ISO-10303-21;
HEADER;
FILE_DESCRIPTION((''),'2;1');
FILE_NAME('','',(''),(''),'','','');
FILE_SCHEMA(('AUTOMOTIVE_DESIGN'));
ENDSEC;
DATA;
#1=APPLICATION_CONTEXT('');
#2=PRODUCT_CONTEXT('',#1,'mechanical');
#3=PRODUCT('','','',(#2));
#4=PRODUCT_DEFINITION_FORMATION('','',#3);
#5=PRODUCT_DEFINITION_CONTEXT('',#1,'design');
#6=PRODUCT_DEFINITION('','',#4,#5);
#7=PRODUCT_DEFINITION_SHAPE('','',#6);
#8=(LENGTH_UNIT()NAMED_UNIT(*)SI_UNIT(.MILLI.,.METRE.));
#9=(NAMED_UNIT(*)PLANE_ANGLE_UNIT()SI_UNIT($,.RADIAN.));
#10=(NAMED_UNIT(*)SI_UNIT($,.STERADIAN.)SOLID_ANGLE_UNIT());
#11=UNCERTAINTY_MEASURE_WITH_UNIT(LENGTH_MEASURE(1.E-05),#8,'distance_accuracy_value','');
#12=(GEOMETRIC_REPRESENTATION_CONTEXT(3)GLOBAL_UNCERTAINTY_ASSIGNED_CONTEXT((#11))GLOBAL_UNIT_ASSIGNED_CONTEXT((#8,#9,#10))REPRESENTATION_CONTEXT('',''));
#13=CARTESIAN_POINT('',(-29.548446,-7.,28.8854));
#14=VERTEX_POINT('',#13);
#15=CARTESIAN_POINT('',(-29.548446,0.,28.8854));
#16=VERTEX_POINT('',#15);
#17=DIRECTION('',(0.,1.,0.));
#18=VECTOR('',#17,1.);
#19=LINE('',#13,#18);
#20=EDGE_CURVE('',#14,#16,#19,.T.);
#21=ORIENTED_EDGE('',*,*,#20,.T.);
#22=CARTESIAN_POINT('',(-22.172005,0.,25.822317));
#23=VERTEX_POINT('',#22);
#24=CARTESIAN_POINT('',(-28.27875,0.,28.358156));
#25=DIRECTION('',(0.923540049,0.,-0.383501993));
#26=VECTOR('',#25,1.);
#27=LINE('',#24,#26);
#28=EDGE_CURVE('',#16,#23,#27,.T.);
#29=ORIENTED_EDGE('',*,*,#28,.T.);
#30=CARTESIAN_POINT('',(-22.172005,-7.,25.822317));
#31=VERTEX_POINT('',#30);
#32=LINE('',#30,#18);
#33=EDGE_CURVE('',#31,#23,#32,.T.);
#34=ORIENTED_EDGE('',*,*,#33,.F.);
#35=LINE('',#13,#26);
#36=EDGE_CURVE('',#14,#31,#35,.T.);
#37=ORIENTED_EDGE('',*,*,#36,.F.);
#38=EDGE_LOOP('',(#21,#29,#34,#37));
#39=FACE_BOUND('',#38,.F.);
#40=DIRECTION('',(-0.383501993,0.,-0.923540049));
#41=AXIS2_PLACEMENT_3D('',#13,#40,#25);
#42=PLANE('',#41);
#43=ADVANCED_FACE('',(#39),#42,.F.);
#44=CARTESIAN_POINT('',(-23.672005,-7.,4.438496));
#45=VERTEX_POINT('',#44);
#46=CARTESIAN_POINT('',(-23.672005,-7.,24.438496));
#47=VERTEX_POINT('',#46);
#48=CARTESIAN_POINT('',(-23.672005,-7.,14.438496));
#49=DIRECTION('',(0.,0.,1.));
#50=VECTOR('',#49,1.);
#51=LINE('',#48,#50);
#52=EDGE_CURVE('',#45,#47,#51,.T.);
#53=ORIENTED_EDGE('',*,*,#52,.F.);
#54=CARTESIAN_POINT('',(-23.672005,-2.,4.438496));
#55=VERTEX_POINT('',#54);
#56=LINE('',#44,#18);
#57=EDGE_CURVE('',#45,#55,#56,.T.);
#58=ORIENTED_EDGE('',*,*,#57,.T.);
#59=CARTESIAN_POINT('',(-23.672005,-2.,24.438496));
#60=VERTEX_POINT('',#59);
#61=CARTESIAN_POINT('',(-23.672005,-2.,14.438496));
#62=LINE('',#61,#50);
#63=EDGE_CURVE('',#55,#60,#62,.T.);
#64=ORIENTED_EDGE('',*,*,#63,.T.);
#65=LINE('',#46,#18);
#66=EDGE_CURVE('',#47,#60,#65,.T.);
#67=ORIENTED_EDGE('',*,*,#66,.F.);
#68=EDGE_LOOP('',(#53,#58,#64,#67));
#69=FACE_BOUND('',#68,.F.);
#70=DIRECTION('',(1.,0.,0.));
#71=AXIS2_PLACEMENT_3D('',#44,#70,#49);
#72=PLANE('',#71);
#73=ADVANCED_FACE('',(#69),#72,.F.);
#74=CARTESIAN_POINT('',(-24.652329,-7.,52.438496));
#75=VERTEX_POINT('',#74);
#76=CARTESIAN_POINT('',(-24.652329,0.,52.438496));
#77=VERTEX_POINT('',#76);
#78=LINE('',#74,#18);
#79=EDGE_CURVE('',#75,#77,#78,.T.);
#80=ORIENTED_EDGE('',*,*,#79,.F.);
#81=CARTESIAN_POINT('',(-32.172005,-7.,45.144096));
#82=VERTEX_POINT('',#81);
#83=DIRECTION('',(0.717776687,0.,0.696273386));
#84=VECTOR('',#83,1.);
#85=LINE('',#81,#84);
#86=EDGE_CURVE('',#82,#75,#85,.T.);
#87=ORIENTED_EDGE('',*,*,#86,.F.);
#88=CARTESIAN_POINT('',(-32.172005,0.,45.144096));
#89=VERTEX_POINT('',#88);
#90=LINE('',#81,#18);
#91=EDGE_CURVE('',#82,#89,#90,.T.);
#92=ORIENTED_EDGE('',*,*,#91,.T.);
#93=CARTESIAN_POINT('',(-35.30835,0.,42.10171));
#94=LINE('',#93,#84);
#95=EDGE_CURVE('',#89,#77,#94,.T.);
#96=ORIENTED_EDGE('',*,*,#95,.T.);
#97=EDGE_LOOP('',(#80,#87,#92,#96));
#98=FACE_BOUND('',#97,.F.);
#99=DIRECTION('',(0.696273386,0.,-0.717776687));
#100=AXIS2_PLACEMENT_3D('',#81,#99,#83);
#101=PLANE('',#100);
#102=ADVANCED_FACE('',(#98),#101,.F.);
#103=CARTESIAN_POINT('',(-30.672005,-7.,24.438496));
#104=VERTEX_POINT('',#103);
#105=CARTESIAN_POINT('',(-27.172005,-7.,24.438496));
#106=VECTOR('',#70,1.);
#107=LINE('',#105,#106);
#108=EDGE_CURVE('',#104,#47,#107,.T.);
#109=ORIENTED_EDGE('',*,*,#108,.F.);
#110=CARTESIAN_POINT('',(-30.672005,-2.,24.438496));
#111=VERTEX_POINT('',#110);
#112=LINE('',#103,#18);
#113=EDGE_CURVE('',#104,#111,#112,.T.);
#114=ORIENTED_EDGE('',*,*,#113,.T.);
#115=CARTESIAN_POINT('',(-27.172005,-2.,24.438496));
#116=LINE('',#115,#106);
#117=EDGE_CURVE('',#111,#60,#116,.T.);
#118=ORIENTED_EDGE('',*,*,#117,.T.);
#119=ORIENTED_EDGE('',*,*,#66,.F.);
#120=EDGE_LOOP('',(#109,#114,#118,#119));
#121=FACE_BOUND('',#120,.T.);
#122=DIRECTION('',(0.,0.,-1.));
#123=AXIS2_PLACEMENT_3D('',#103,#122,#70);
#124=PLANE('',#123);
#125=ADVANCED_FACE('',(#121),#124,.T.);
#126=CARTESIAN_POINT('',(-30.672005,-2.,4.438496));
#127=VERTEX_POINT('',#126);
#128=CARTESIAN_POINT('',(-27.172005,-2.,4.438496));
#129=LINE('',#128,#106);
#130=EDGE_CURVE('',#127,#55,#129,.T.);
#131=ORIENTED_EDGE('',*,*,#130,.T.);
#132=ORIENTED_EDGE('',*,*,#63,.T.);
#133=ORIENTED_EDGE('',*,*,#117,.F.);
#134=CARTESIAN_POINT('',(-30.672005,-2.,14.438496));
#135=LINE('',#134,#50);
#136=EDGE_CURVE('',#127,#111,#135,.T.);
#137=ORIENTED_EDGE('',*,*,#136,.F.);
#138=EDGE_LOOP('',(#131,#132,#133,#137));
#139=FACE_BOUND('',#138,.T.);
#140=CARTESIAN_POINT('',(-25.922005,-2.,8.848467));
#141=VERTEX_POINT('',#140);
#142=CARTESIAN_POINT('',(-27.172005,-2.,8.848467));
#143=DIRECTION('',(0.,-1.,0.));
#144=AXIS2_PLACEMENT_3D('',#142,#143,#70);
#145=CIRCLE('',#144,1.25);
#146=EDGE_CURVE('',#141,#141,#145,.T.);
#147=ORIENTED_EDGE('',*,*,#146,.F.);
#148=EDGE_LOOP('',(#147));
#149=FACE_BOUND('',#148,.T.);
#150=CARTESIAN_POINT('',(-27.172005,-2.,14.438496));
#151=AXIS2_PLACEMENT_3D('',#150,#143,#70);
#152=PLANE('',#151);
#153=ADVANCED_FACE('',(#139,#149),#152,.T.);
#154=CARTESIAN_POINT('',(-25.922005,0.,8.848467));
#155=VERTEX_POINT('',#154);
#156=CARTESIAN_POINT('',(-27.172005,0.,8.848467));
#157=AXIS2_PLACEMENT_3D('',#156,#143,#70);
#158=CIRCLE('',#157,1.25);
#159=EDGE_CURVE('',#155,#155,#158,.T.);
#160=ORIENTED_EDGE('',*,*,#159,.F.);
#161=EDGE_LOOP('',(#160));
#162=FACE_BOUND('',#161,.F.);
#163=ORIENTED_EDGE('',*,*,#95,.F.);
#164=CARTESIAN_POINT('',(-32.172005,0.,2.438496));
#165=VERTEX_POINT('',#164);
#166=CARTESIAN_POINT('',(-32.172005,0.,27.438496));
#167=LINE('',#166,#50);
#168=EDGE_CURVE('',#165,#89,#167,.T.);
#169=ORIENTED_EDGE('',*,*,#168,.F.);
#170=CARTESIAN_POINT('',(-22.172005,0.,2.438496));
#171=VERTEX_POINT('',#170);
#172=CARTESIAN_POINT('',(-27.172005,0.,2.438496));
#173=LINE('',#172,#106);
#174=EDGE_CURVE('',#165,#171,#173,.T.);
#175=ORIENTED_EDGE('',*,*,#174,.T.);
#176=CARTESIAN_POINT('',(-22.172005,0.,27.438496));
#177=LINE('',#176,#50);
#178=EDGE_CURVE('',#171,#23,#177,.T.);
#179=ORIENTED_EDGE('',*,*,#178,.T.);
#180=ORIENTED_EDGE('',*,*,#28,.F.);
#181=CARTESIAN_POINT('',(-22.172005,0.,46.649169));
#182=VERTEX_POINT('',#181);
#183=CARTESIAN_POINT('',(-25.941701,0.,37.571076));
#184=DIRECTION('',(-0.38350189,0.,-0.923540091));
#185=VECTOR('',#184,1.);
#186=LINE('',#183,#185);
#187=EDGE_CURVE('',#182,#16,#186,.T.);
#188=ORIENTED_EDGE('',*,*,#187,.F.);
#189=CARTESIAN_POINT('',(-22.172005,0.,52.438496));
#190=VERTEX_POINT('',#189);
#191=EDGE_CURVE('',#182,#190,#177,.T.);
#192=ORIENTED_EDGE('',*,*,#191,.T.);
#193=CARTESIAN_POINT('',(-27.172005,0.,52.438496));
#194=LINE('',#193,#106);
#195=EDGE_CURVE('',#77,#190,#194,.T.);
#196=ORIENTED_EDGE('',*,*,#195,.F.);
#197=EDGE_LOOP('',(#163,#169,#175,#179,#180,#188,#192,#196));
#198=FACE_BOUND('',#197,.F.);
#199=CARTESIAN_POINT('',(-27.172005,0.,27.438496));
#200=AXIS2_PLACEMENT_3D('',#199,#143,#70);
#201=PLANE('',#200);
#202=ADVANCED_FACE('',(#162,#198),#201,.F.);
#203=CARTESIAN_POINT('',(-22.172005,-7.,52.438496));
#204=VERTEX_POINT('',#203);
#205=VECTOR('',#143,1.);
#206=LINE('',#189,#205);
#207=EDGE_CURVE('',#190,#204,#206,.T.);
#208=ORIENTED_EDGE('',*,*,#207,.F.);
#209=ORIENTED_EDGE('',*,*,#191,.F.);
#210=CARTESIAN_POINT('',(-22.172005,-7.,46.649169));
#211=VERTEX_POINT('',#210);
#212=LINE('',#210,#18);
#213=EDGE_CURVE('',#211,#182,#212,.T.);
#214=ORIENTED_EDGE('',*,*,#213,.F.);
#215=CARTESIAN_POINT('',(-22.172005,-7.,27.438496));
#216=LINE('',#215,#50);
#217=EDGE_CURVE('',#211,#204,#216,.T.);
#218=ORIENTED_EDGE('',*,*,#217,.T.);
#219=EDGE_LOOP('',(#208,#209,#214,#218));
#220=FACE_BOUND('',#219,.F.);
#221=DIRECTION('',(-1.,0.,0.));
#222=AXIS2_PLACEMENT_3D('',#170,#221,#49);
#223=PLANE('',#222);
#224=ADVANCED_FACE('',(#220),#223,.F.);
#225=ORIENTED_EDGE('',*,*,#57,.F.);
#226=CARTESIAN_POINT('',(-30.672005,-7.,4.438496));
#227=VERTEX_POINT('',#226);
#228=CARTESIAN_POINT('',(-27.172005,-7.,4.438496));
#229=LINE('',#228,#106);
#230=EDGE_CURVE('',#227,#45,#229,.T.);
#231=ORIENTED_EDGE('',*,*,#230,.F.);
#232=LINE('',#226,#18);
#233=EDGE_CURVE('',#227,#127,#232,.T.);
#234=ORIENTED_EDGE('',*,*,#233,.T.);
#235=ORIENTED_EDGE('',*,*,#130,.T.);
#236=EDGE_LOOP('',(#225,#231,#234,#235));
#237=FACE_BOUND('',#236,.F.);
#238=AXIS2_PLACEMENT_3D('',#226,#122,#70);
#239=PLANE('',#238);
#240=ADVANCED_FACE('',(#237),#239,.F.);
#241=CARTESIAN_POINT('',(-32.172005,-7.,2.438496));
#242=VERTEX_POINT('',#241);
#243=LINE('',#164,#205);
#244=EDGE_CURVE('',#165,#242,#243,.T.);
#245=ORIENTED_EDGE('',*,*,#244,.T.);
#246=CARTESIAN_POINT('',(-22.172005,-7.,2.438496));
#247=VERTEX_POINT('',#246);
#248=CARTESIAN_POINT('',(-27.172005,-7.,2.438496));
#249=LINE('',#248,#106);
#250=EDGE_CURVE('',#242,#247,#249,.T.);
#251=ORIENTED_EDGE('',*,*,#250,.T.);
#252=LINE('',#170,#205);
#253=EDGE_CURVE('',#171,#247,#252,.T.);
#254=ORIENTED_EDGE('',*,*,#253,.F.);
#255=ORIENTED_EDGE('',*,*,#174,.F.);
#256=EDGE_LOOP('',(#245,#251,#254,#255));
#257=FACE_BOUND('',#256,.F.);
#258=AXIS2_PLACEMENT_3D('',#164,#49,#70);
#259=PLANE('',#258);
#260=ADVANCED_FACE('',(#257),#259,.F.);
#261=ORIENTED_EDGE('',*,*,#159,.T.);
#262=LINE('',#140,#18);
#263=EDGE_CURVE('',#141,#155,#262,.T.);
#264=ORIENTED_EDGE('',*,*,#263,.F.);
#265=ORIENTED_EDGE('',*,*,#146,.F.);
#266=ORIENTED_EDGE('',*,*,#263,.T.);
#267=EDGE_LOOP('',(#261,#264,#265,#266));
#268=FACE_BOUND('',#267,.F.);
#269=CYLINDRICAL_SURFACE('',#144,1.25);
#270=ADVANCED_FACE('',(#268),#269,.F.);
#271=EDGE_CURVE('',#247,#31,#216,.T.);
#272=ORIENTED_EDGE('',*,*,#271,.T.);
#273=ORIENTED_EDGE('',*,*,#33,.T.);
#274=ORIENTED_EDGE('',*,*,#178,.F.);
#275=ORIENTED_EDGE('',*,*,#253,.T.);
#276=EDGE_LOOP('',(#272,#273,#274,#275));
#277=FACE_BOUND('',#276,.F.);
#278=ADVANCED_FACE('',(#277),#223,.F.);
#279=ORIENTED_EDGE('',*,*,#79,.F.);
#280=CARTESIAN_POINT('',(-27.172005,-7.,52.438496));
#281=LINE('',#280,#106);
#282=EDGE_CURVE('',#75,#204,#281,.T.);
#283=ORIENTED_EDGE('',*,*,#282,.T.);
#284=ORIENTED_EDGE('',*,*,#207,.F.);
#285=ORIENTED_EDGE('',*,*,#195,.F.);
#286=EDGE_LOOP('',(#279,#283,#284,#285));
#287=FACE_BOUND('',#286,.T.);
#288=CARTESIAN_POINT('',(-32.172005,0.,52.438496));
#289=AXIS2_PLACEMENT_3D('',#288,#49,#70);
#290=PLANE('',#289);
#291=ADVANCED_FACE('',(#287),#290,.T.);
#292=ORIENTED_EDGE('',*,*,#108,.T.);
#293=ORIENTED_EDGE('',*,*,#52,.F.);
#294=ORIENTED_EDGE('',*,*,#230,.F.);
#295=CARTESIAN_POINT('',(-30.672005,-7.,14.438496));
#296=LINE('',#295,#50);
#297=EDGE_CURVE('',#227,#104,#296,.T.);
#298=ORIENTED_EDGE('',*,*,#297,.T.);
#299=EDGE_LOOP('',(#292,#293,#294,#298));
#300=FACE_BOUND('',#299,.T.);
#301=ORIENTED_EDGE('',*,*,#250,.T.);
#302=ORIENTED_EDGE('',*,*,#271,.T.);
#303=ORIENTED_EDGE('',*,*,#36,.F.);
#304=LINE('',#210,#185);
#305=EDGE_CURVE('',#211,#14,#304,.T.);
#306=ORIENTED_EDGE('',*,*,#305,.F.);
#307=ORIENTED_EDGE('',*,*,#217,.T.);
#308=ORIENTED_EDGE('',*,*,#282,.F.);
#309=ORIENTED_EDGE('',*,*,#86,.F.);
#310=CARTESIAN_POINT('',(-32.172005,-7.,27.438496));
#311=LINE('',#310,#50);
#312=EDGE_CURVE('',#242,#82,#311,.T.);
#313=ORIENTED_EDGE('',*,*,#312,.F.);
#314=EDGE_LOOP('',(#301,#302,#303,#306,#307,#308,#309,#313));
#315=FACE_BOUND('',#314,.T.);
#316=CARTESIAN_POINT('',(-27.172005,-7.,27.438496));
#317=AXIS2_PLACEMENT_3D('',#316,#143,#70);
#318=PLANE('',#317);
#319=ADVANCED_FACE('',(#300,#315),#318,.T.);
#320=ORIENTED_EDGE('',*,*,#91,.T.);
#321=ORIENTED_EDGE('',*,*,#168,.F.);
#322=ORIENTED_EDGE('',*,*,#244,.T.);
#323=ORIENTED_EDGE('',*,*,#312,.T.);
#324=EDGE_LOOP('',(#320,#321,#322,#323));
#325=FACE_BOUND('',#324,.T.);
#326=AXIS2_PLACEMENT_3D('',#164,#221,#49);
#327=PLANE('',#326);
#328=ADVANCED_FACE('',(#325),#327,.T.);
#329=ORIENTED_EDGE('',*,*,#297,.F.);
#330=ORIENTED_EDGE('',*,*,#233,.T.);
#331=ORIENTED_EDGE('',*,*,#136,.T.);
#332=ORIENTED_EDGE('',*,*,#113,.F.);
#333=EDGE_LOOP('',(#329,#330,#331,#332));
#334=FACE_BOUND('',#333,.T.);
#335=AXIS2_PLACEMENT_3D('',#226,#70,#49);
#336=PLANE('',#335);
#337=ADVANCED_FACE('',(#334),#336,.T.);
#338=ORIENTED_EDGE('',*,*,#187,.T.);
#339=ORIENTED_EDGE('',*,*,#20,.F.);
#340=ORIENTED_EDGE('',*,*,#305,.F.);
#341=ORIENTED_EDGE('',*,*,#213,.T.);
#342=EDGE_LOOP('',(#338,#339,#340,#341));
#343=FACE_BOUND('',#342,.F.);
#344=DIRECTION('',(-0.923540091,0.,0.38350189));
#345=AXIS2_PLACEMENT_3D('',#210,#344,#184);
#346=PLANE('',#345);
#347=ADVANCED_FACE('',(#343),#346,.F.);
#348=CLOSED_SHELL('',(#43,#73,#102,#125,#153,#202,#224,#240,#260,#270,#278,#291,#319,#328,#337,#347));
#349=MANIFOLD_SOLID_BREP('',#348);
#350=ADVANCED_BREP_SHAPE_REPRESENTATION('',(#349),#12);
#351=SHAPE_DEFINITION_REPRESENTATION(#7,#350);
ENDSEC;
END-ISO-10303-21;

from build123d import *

# Parameters (mm, degrees)
F0_W     = 10
F0_H     = 50
F1_DEPTH = 7
F2_W     = 7
F2_H     = 20
F3_DEPTH = 5
F4_R     = 1.25
F5_DEPTH = 2.001
F7_DEPTH = 7.001


with BuildPart() as f1:
    # F0 (on Front) → F1 (new body)
    with BuildSketch(Plane.XZ):
        with Locations((-27.172005, 27.438496)):
            Rectangle(F0_W, F0_H)
    extrude(amount=F1_DEPTH)

    # F2 (on face) → F3 (cut)
    with BuildSketch(Plane.XZ.offset(7)):
        with Locations((-27.172005, 14.438496)):
            Rectangle(F2_W, F2_H)
    extrude(amount=-F3_DEPTH, mode=Mode.SUBTRACT)

    # F4 (on face) → F5 (cut, through all)
    with BuildSketch(Plane.XZ.offset(2)):
        with Locations((-27.172005, 8.848467)):
            Circle(F4_R)
    extrude(amount=-F5_DEPTH, mode=Mode.SUBTRACT)

    # F6 (on face) → F7 (cut, through all)
    with BuildSketch(Plane.XZ.offset(7)):
        Polygon((-32.172005, 52.438496), (-32.172005, 45.144096), (-24.652329, 52.438496), align=None)
        Polygon((-29.548446, 28.8854), (-22.172005, 25.822317), (-22.172005, 46.649169), align=None)
    extrude(amount=-F7_DEPTH, mode=Mode.SUBTRACT)


solid = f1.part
